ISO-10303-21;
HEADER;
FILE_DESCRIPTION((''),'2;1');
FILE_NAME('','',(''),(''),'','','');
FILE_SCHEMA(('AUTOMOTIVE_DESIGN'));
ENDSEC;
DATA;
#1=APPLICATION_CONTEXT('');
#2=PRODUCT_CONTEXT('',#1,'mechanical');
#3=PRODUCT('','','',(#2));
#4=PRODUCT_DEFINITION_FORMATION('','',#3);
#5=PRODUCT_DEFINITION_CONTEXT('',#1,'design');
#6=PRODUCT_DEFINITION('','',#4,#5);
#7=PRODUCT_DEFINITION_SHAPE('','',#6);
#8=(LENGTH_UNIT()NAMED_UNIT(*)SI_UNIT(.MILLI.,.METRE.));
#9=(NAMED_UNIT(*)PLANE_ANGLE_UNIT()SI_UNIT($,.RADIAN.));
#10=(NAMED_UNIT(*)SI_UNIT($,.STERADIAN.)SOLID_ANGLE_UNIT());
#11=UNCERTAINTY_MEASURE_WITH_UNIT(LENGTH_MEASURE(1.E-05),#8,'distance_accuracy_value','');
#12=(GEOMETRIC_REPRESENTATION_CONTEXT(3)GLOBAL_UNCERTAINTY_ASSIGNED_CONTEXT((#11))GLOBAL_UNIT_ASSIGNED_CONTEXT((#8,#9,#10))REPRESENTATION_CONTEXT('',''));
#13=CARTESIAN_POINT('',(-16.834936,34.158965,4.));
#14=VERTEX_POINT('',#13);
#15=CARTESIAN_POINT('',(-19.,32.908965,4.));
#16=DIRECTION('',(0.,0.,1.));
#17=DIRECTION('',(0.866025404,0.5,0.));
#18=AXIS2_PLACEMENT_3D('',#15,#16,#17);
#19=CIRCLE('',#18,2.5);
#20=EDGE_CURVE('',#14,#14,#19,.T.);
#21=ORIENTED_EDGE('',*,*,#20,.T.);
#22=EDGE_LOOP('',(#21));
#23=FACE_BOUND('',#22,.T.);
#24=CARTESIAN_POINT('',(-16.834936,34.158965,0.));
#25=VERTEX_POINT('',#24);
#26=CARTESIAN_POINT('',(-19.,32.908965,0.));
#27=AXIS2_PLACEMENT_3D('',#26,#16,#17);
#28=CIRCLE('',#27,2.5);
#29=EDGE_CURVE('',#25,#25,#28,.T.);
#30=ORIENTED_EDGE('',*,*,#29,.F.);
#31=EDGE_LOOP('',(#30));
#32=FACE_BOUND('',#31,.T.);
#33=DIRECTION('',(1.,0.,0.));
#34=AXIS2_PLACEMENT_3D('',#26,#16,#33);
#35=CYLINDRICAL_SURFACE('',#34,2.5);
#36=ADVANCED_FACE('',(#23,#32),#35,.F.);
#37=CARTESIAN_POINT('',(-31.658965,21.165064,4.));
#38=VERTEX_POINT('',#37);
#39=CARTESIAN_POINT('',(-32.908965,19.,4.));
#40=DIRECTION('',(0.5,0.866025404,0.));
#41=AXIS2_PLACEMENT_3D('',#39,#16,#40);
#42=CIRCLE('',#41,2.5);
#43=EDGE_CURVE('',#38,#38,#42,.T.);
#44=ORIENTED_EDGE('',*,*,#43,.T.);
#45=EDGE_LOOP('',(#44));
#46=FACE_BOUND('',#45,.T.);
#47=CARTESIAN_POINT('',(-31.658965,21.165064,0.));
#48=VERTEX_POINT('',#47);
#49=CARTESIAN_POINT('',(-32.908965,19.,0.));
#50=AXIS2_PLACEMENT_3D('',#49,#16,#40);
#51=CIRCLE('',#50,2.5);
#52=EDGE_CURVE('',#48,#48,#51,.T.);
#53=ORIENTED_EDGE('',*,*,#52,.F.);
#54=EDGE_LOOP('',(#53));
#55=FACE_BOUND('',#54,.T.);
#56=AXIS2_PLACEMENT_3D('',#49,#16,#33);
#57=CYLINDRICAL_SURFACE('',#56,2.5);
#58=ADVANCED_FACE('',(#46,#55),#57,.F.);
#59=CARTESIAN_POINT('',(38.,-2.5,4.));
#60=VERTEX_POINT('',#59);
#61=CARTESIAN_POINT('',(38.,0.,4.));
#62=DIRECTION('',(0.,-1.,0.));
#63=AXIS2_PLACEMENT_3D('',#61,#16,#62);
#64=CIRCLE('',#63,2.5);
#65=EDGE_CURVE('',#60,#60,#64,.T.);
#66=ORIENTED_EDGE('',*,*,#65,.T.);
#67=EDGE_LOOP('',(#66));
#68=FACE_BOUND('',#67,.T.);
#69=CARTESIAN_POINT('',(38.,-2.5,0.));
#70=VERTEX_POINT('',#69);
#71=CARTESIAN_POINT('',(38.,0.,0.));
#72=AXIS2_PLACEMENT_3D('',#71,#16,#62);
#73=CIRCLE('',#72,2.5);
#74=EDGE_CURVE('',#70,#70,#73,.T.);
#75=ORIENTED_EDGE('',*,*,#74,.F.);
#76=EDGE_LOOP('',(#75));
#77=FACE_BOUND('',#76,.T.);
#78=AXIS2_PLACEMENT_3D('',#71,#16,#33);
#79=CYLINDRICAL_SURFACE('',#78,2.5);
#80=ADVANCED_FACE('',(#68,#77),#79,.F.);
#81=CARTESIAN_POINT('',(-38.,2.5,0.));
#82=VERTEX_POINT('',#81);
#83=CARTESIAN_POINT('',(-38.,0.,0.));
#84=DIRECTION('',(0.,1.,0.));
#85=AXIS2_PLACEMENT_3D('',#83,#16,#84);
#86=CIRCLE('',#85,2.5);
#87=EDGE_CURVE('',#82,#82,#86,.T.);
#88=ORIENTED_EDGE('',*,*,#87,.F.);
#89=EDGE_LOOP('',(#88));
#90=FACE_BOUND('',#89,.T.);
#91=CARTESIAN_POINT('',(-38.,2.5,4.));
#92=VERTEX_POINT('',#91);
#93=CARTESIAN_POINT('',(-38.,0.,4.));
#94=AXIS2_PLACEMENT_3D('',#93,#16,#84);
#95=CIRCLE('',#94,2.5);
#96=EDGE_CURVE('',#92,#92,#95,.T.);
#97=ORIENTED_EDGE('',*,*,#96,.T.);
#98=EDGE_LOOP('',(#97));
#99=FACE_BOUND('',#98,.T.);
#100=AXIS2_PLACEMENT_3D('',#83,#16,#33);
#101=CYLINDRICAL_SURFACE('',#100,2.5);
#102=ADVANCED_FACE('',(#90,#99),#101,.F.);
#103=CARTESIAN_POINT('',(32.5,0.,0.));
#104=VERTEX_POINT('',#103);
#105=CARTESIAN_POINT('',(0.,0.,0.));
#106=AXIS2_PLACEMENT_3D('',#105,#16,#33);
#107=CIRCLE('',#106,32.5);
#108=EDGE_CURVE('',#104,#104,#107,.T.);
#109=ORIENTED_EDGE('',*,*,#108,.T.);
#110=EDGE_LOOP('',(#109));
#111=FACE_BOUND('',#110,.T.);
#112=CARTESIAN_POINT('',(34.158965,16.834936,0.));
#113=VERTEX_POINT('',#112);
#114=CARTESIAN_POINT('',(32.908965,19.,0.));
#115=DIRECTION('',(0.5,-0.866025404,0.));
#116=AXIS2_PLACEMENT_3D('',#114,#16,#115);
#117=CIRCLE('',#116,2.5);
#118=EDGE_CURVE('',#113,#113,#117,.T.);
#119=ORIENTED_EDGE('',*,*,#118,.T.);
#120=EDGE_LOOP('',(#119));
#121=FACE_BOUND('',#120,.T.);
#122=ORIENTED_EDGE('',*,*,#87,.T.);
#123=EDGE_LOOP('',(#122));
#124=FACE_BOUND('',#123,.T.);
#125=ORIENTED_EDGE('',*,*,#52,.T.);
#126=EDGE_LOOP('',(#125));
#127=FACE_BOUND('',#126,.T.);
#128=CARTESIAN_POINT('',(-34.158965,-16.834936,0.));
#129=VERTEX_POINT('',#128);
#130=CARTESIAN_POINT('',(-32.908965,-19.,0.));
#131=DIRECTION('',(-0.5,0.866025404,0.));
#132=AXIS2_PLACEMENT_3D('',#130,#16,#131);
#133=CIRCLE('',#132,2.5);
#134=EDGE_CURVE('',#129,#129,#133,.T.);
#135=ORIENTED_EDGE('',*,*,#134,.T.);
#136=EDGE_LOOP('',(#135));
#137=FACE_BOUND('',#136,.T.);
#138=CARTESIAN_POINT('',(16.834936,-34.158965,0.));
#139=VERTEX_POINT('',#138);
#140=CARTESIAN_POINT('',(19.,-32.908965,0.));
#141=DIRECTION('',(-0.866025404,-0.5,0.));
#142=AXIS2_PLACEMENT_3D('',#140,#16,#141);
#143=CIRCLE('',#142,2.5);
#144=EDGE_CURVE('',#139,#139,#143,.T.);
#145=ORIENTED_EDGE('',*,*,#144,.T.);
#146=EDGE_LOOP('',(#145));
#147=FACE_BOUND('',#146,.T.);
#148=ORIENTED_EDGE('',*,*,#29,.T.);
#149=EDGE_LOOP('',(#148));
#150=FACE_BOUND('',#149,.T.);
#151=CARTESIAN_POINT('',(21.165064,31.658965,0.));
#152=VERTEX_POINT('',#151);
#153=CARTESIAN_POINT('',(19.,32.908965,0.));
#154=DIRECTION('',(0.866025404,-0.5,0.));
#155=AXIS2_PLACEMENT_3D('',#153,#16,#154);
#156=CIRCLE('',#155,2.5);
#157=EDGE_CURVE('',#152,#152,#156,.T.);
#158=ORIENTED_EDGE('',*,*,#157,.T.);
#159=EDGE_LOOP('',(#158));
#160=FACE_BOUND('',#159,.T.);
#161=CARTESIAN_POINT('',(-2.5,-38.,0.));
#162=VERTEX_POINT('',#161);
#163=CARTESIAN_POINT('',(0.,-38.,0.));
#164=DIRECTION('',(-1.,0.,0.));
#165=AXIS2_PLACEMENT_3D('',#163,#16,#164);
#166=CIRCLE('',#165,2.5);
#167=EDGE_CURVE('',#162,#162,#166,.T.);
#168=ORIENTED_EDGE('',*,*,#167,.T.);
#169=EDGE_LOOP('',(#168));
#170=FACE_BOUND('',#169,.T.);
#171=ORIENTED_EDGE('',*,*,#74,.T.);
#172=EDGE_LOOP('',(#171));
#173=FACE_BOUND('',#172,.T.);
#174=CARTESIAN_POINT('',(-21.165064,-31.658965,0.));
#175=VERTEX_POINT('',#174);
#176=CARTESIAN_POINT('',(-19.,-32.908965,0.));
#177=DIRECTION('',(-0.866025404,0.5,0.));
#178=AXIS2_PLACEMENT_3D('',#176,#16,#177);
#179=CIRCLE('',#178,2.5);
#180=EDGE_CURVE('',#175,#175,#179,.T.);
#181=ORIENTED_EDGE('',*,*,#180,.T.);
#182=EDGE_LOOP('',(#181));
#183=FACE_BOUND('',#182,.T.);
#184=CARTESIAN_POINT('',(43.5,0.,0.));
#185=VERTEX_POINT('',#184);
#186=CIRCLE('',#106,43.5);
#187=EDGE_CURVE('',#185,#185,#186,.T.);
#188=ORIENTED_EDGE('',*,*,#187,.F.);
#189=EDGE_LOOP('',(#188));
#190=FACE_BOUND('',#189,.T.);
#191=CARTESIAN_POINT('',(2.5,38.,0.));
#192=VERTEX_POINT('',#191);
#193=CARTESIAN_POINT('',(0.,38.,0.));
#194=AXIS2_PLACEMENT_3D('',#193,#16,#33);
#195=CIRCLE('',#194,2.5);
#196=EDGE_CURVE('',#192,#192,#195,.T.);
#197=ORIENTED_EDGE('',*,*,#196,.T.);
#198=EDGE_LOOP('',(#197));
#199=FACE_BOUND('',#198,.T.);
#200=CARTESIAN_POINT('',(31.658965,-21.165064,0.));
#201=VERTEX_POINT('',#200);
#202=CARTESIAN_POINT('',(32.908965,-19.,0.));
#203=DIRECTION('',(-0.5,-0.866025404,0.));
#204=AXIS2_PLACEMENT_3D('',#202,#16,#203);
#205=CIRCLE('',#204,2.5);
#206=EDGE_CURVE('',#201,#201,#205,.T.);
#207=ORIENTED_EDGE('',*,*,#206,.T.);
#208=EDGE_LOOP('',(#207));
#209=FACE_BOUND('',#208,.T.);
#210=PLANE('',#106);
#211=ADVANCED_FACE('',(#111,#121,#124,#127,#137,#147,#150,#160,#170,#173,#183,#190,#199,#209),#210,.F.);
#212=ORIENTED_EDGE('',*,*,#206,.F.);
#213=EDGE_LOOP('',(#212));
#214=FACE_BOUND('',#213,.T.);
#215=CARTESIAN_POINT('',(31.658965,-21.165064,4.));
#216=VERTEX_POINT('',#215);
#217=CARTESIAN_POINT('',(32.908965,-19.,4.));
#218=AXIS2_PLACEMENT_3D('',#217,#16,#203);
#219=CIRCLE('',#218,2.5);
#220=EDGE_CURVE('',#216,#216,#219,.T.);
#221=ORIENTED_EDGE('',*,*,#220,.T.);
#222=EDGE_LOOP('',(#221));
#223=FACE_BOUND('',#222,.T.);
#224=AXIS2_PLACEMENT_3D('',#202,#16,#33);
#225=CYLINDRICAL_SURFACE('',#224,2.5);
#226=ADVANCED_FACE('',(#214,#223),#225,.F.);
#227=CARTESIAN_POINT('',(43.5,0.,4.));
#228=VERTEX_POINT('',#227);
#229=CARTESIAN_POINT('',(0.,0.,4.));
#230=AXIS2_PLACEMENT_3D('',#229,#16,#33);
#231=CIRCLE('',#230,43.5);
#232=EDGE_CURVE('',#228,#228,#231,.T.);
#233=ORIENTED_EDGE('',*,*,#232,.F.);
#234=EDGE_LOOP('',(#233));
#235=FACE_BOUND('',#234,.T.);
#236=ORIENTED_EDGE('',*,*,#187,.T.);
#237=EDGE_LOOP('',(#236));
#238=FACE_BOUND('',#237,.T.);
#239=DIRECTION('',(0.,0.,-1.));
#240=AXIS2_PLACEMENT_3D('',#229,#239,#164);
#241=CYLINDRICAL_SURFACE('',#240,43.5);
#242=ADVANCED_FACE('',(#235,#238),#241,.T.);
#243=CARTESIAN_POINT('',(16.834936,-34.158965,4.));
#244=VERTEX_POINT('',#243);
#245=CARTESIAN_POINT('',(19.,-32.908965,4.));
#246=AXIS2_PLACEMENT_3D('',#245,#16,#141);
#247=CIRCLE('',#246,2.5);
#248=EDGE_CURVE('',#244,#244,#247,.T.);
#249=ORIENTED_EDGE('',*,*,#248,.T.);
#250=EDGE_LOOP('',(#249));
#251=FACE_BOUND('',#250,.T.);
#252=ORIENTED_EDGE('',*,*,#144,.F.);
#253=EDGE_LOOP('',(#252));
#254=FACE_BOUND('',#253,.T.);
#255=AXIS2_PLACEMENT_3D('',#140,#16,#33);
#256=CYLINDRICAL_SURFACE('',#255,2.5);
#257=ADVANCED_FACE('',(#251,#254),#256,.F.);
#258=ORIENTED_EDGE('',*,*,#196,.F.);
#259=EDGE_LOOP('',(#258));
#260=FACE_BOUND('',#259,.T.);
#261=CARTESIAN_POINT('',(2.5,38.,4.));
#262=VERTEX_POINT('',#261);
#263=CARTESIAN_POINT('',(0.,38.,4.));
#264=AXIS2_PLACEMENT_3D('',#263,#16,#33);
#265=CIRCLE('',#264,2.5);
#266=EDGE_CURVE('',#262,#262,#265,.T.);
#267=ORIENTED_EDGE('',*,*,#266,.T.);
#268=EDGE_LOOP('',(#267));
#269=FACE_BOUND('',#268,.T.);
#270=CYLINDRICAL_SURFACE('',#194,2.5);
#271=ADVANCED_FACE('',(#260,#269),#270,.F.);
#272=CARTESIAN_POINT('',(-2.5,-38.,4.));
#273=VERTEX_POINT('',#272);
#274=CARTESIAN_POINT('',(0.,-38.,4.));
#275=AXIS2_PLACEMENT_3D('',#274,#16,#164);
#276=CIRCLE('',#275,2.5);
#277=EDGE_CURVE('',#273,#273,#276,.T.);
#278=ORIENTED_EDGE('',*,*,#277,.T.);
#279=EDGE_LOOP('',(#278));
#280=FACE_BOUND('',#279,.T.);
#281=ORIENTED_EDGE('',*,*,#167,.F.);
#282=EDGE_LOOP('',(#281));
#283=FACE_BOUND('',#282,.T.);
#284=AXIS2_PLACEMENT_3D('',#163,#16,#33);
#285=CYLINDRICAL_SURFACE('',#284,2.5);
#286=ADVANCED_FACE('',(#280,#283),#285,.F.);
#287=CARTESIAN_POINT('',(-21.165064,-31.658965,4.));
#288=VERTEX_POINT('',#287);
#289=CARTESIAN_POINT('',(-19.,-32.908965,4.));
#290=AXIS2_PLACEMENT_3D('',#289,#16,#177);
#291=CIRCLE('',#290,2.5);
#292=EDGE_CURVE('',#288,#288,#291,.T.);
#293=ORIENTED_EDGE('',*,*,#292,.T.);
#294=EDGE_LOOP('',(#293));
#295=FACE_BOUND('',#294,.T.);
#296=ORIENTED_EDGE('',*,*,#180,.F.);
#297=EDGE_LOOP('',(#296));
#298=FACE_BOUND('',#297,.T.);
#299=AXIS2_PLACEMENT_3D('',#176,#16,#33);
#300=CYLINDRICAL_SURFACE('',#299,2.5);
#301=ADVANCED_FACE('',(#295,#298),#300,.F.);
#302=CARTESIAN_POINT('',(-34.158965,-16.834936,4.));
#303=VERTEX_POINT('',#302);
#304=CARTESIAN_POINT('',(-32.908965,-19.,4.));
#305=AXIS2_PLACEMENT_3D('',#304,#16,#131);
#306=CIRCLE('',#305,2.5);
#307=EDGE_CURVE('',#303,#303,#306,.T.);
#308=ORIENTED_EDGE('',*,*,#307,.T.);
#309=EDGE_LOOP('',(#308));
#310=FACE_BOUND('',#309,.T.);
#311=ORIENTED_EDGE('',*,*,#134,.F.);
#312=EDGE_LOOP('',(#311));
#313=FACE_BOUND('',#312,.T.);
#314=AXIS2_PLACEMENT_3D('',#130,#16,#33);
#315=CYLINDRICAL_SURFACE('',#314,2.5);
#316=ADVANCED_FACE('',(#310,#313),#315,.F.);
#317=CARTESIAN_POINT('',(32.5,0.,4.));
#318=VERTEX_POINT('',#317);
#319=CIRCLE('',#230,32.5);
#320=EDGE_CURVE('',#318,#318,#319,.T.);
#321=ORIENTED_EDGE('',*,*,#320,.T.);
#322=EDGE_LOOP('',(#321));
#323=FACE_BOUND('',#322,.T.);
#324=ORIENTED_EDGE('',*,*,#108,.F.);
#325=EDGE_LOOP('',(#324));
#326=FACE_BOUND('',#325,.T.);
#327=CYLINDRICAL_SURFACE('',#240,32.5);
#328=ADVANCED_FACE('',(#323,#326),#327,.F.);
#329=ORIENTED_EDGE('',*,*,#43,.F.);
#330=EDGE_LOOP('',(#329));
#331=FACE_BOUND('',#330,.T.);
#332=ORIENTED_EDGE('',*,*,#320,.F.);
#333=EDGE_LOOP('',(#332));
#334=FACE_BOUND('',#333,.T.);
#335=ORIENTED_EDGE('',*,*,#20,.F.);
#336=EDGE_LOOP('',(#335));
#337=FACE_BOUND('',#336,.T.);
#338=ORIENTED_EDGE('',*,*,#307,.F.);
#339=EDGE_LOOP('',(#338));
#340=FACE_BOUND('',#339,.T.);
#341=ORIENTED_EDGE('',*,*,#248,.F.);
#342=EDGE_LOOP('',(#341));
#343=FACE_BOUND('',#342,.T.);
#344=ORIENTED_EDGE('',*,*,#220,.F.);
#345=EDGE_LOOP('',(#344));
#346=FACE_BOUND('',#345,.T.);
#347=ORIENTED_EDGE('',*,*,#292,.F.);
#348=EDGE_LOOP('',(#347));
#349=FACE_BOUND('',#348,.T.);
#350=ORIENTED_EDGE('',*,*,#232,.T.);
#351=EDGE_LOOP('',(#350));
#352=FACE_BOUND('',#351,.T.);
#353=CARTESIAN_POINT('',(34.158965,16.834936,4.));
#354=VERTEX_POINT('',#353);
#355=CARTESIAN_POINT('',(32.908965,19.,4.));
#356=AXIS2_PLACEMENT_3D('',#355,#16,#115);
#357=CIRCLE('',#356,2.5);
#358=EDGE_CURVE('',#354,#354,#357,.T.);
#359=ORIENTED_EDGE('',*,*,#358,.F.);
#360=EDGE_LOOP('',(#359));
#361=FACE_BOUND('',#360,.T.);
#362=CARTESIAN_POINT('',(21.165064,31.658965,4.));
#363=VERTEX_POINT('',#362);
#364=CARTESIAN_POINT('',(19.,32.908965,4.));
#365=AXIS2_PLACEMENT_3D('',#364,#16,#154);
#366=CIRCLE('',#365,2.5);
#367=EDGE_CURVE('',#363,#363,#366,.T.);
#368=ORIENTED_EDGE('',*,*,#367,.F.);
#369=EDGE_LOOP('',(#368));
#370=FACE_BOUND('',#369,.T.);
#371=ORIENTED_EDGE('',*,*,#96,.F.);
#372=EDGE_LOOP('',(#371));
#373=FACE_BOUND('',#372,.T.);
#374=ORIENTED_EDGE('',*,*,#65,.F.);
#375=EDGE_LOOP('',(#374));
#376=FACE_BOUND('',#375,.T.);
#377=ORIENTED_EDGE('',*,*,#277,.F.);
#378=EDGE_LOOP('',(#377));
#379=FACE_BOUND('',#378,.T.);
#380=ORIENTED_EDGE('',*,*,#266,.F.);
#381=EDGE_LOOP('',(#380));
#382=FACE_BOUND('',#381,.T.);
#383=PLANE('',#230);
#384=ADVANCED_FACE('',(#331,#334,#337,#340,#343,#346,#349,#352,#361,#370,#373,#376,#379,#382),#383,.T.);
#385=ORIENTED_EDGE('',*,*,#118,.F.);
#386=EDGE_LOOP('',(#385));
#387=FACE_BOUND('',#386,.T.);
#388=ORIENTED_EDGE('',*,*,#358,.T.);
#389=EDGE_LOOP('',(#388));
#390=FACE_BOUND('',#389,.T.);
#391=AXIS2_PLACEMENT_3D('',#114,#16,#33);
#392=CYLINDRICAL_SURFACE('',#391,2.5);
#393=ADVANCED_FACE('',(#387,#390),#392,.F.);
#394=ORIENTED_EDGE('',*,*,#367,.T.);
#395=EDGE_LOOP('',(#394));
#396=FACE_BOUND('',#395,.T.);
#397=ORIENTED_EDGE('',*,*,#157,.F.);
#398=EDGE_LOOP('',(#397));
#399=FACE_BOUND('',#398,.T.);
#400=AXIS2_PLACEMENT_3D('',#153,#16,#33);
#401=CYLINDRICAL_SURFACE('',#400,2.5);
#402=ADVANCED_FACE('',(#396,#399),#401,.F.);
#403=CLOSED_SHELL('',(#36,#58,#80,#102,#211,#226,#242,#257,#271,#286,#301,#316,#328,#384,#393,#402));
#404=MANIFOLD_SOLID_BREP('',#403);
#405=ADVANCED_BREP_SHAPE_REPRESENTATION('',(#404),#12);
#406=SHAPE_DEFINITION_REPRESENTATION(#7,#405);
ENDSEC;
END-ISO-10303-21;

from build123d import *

# Parameters (mm, degrees)
SKETCH1_R          = 43.5
SKETCH1_R_2        = 32.5
BODY_DEPTH         = 4
SKETCH2_R          = 2.5
BOLT_HOLE_DEPTH    = 62.648195432
BOLT_PATTERN_COUNT = 12


with BuildPart() as part:
    # Sketch1 → Body (new body)
    with BuildSketch(Plane.XY):
        Circle(SKETCH1_R)
        Circle(SKETCH1_R_2, mode=Mode.SUBTRACT)
    extrude(amount=BODY_DEPTH)

    # Sketch2 → Bolt Hole (cut, through all)
    with BuildSketch(Plane.XY.offset(4)):
        with Locations((0, 38)):
            Circle(SKETCH2_R)
    bolt_hole = extrude(amount=-BOLT_HOLE_DEPTH, mode=Mode.SUBTRACT)

    # Bolt Pattern: Bolt Hole ×12 about axis
    bolt_pattern_axis = Axis((0, 0, 0), (0, 0, 1))
    for i in range(1, BOLT_PATTERN_COUNT):
        add(bolt_hole.rotate(bolt_pattern_axis, i * 360 / BOLT_PATTERN_COUNT), mode=Mode.SUBTRACT)


solid = part.part
